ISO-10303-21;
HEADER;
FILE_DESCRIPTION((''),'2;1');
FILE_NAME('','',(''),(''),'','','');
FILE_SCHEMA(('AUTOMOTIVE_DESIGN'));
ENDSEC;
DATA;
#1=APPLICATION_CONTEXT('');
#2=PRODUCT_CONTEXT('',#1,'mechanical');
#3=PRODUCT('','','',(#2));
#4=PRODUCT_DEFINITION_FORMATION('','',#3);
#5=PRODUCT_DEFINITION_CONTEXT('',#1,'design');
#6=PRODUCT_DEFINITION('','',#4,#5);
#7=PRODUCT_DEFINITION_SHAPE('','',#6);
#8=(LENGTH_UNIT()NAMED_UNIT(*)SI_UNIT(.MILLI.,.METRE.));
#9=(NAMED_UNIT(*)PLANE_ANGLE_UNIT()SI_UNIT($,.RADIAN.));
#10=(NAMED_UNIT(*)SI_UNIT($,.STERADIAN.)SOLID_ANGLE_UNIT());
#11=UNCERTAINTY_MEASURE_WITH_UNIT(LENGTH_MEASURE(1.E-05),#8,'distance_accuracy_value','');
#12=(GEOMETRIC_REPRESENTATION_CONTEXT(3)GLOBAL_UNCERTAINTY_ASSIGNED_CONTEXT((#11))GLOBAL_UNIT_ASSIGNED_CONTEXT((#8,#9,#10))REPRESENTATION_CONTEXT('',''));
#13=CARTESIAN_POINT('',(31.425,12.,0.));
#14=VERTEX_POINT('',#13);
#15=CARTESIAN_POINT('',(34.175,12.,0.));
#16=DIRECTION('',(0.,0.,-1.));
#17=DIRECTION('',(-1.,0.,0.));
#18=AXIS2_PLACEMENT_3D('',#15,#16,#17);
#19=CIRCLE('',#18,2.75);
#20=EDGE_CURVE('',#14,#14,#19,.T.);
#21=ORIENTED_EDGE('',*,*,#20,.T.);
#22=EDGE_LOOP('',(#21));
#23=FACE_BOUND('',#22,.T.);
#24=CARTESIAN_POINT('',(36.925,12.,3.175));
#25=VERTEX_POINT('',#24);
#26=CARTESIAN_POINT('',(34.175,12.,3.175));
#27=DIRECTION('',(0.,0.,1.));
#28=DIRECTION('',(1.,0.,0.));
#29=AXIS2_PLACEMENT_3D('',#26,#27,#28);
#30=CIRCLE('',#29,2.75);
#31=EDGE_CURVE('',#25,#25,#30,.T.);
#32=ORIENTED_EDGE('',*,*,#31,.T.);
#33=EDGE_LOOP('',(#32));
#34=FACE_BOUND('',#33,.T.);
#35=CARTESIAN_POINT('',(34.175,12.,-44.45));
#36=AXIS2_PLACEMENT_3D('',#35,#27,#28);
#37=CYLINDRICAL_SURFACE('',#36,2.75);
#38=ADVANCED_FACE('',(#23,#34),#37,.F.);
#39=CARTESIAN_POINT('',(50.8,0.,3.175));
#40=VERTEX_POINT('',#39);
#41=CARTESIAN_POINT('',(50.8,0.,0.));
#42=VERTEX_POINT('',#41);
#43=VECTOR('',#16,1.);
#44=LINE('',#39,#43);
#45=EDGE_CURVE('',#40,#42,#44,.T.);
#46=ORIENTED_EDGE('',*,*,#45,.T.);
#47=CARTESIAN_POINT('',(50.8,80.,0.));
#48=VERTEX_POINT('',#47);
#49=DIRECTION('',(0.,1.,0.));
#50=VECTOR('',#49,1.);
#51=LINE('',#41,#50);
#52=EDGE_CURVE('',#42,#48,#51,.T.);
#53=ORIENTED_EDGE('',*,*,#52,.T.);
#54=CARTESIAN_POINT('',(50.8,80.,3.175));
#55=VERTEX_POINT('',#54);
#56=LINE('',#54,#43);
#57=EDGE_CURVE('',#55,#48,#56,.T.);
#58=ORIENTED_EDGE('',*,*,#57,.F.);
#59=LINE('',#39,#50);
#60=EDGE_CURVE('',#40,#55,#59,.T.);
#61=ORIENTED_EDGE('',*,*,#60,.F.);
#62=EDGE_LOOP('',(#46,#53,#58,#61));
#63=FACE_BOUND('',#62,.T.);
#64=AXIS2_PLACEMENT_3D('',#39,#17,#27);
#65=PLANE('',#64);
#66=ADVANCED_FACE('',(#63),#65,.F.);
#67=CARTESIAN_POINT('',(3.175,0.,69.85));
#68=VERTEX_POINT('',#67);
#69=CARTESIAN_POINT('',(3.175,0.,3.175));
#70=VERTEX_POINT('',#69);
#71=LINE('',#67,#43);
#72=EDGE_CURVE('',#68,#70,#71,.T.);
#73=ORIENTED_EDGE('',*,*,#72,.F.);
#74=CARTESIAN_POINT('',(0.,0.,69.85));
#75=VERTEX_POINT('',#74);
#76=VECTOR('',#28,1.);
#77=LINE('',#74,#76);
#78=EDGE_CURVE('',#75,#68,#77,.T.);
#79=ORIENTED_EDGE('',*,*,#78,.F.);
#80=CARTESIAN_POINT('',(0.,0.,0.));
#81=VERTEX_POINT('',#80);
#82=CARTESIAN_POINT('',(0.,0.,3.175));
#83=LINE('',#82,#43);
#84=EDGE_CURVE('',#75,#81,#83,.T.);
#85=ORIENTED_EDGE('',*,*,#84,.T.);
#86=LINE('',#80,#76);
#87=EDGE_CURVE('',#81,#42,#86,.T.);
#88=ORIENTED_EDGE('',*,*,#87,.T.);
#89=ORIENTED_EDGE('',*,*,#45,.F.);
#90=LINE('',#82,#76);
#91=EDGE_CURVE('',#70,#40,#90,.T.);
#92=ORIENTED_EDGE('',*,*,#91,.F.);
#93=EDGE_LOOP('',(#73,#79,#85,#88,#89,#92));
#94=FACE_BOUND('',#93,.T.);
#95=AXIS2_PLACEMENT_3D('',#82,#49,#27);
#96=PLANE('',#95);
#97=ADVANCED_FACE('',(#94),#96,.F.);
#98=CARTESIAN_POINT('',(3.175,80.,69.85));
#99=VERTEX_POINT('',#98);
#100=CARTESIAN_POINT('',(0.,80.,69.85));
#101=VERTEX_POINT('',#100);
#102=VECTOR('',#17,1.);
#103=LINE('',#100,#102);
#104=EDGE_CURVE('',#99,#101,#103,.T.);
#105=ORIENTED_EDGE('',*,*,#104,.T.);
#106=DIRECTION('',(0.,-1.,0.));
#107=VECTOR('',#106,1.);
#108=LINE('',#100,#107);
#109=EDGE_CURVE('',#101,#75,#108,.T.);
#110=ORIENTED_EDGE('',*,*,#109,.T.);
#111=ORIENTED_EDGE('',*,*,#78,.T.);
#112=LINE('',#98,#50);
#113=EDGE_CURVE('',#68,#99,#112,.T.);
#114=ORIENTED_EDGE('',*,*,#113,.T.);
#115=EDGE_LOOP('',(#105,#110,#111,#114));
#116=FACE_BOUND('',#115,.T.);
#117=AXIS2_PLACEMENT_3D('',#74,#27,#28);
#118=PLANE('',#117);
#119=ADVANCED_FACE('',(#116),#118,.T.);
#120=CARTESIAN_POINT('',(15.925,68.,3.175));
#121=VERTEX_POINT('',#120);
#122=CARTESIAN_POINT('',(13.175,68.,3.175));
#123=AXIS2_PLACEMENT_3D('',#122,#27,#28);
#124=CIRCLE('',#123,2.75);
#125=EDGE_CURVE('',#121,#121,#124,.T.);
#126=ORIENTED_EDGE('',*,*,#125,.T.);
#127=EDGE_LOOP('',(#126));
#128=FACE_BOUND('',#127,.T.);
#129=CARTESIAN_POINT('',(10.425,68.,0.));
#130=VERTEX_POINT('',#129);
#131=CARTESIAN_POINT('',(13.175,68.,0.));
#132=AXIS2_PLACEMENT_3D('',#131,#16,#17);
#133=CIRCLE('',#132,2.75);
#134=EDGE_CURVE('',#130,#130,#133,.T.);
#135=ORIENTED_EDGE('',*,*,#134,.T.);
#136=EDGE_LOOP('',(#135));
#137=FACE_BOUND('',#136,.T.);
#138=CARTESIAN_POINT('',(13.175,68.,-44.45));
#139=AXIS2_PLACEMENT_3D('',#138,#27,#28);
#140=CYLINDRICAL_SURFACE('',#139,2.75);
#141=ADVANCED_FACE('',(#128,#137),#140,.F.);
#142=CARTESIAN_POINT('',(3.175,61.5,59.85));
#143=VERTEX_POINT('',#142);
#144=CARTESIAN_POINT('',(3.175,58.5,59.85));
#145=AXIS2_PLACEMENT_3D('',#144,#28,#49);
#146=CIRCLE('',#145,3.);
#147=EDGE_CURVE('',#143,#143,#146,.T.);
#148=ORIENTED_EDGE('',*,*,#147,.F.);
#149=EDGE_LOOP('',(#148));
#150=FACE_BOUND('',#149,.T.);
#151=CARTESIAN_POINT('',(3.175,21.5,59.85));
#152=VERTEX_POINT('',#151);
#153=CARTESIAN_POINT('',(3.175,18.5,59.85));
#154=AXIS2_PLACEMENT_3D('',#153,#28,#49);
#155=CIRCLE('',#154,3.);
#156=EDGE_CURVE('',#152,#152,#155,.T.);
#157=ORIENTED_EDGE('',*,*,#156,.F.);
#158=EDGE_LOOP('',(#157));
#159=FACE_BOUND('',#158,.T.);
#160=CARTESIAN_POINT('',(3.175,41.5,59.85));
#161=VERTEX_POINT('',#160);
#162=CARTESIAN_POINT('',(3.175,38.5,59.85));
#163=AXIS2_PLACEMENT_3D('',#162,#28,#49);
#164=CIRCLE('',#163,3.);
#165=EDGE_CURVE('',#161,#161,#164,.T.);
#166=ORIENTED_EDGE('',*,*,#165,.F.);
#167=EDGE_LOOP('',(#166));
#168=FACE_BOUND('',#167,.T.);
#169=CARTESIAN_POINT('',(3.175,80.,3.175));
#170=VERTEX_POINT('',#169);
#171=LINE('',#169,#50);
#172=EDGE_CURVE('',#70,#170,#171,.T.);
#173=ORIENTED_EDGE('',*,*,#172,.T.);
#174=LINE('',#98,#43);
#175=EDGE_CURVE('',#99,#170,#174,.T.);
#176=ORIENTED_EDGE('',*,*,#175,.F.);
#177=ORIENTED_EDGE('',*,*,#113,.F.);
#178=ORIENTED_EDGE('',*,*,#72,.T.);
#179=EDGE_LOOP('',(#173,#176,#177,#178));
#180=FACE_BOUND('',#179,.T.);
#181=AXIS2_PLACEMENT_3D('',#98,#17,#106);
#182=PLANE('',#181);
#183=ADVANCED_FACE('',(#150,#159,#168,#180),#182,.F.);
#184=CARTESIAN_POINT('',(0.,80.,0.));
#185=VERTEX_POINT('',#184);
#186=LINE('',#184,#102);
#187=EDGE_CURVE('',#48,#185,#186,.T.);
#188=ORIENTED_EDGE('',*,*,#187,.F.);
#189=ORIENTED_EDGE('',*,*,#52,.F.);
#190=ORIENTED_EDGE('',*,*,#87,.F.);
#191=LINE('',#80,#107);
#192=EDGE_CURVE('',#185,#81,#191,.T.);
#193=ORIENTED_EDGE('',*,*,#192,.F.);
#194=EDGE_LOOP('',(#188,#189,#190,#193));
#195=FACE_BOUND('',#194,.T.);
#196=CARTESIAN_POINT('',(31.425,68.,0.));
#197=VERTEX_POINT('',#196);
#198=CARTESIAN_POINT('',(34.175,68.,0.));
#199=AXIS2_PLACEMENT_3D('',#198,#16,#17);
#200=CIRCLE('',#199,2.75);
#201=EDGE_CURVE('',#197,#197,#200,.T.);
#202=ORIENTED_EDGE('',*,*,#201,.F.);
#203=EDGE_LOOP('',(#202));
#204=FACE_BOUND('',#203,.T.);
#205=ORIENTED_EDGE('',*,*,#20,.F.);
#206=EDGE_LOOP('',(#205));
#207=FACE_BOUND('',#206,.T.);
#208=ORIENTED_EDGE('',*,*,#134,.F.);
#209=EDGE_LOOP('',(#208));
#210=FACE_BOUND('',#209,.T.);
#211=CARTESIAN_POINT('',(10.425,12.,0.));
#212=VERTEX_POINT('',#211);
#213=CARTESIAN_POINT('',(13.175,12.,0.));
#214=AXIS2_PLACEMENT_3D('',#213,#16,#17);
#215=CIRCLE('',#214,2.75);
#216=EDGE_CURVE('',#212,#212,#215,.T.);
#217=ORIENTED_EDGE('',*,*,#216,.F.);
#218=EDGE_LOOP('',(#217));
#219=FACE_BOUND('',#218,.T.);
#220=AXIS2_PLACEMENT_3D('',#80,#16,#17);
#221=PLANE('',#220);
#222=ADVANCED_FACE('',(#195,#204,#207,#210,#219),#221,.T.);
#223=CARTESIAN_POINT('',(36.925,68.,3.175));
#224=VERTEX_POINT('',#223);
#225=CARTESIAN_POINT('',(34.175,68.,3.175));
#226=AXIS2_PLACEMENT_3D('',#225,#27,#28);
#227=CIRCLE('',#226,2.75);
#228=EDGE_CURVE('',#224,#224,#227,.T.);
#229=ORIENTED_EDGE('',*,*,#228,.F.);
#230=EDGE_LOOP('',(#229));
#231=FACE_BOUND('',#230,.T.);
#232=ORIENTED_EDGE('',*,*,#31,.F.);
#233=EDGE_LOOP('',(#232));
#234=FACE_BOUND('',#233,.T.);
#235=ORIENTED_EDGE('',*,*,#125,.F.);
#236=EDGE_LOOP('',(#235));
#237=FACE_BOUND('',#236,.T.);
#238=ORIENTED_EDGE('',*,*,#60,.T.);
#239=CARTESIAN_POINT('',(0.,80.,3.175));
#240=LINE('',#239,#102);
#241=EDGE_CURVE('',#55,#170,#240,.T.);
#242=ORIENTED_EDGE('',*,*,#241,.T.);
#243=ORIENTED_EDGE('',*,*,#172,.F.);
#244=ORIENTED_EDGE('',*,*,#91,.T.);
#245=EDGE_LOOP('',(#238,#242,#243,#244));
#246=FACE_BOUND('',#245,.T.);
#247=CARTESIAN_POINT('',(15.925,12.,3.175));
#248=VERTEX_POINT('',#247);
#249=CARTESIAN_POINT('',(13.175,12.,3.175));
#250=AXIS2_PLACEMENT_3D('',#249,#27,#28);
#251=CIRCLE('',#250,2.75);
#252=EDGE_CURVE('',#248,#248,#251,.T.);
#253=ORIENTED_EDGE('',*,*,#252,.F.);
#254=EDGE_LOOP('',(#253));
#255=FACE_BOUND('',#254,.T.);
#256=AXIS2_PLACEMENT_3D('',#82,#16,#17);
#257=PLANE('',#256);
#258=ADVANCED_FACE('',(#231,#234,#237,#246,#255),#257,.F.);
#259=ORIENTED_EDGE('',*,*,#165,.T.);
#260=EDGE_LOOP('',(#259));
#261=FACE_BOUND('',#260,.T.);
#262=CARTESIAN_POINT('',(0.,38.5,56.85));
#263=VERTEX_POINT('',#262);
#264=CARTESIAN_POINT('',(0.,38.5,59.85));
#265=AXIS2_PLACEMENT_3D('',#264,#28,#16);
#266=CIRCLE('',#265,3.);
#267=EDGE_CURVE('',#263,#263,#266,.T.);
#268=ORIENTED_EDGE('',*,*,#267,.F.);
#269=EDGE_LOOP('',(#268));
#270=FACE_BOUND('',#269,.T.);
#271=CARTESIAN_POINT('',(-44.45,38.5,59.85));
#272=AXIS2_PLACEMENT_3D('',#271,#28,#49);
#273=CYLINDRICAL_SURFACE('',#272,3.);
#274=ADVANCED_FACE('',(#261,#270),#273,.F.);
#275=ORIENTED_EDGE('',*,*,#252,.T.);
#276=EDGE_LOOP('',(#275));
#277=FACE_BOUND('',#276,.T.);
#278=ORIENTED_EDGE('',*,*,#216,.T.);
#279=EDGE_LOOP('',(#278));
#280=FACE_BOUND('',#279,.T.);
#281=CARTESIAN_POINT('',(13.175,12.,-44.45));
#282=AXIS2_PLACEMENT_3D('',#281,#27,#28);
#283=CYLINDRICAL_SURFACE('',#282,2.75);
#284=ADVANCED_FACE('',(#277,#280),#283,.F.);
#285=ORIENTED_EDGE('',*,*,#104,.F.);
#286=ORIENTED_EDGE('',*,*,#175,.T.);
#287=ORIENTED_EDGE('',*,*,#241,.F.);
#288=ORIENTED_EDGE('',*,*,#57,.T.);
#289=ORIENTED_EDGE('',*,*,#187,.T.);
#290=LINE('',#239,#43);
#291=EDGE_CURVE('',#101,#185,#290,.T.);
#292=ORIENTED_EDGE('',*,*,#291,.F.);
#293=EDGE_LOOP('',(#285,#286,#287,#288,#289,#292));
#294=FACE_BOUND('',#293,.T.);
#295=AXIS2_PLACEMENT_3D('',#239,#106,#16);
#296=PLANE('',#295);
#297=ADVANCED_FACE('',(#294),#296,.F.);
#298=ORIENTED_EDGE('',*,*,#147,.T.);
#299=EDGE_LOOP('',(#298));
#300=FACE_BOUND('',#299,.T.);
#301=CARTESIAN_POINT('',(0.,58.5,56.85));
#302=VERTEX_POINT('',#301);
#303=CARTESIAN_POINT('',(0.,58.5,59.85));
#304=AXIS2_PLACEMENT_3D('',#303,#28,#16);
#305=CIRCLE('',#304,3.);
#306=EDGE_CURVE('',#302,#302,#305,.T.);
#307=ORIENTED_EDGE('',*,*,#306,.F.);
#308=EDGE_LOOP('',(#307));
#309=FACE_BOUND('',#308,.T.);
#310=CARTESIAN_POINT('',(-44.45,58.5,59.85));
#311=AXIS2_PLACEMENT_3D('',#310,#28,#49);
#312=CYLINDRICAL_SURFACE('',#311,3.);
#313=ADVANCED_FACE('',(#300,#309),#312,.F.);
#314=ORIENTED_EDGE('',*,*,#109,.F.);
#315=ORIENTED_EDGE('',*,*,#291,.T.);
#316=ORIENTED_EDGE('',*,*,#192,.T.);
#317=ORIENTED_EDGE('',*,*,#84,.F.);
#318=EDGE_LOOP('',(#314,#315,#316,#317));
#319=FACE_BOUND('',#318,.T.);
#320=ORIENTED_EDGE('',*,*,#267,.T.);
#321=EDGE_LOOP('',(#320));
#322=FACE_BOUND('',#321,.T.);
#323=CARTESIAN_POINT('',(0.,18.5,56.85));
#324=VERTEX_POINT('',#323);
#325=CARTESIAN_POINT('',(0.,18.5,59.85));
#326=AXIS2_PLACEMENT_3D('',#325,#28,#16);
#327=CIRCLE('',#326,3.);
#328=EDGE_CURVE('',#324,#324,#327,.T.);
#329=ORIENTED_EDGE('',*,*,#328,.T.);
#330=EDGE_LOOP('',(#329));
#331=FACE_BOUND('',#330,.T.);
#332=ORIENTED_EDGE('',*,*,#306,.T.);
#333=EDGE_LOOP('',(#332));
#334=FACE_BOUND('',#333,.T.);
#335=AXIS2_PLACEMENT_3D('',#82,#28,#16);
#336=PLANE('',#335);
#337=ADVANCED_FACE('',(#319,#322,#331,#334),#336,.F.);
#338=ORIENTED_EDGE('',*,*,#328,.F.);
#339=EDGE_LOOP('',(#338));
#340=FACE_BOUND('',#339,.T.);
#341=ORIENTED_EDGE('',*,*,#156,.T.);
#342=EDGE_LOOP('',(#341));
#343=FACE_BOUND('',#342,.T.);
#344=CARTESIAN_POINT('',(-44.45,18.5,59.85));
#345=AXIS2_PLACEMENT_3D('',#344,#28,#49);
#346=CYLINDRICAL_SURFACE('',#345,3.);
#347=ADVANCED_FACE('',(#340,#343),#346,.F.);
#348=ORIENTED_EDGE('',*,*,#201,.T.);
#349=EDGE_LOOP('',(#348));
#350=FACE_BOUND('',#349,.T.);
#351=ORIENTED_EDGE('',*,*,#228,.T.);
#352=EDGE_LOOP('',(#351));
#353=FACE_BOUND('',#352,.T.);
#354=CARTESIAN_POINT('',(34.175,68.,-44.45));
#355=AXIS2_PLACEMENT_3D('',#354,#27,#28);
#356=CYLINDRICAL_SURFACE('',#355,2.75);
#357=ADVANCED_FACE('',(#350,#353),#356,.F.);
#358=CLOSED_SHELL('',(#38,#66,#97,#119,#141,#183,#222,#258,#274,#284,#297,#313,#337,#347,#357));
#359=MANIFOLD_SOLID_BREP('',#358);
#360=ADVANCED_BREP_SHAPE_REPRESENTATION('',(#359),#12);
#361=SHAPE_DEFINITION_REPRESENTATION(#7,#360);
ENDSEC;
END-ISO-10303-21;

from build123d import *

# Parameters (mm, degrees)
CROQUIS2_W              = 50.8
CROQUIS2_H              = 80
SALIENTE_EXTRUIR1_DEPTH = 3.175
CROQUIS3_W              = 3.175
CROQUIS3_H              = 80
SALIENTE_EXTRUIR2_DEPTH = 66.675
CROQUIS4_R              = 2.75
CORTAR_EXTRUIR1_DEPTH   = 47.625
CROQUIS5_R              = 3
CORTAR_EXTRUIR2_DEPTH   = 47.625


with BuildPart() as part:
    # Croquis2 → Saliente-Extruir1 (new body)
    with BuildSketch(Plane.XY):
        with Locations((25.4, 40)):
            Rectangle(CROQUIS2_W, CROQUIS2_H)
    extrude(amount=SALIENTE_EXTRUIR1_DEPTH)

    # Croquis3 → Saliente-Extruir2 (add)
    with BuildSketch(Plane.XY.offset(3.175)):
        with Locations((1.5875, 40)):
            Rectangle(CROQUIS3_W, CROQUIS3_H)
    extrude(amount=SALIENTE_EXTRUIR2_DEPTH)

    # Croquis4 → Cortar-Extruir1 (cut)
    with BuildSketch(Plane.XY.offset(3.175)):
        with Locations((13.175, 68)):
            Circle(CROQUIS4_R)
        with Locations((13.175, 12)):
            Circle(CROQUIS4_R)
        with Locations((34.175, 68)):
            Circle(CROQUIS4_R)
        with Locations((34.175, 12)):
            Circle(CROQUIS4_R)
    extrude(amount=-CORTAR_EXTRUIR1_DEPTH, mode=Mode.SUBTRACT)

    # Croquis5 → Cortar-Extruir2 (cut)
    with BuildSketch(Plane(origin=(3.175, 0, 0), x_dir=(0, 0, -1), z_dir=(1, 0, 0))):
        with Locations(Location((-59.85, 18.5, 0), (0, 0, 90))):
            Circle(CROQUIS5_R)
        with Locations(Location((-59.85, 38.5, 0), (0, 0, 90))):
            Circle(CROQUIS5_R)
        with Locations(Location((-59.85, 58.5, 0), (0, 0, 90))):
            Circle(CROQUIS5_R)
    extrude(amount=-CORTAR_EXTRUIR2_DEPTH, mode=Mode.SUBTRACT)


solid = part.part
